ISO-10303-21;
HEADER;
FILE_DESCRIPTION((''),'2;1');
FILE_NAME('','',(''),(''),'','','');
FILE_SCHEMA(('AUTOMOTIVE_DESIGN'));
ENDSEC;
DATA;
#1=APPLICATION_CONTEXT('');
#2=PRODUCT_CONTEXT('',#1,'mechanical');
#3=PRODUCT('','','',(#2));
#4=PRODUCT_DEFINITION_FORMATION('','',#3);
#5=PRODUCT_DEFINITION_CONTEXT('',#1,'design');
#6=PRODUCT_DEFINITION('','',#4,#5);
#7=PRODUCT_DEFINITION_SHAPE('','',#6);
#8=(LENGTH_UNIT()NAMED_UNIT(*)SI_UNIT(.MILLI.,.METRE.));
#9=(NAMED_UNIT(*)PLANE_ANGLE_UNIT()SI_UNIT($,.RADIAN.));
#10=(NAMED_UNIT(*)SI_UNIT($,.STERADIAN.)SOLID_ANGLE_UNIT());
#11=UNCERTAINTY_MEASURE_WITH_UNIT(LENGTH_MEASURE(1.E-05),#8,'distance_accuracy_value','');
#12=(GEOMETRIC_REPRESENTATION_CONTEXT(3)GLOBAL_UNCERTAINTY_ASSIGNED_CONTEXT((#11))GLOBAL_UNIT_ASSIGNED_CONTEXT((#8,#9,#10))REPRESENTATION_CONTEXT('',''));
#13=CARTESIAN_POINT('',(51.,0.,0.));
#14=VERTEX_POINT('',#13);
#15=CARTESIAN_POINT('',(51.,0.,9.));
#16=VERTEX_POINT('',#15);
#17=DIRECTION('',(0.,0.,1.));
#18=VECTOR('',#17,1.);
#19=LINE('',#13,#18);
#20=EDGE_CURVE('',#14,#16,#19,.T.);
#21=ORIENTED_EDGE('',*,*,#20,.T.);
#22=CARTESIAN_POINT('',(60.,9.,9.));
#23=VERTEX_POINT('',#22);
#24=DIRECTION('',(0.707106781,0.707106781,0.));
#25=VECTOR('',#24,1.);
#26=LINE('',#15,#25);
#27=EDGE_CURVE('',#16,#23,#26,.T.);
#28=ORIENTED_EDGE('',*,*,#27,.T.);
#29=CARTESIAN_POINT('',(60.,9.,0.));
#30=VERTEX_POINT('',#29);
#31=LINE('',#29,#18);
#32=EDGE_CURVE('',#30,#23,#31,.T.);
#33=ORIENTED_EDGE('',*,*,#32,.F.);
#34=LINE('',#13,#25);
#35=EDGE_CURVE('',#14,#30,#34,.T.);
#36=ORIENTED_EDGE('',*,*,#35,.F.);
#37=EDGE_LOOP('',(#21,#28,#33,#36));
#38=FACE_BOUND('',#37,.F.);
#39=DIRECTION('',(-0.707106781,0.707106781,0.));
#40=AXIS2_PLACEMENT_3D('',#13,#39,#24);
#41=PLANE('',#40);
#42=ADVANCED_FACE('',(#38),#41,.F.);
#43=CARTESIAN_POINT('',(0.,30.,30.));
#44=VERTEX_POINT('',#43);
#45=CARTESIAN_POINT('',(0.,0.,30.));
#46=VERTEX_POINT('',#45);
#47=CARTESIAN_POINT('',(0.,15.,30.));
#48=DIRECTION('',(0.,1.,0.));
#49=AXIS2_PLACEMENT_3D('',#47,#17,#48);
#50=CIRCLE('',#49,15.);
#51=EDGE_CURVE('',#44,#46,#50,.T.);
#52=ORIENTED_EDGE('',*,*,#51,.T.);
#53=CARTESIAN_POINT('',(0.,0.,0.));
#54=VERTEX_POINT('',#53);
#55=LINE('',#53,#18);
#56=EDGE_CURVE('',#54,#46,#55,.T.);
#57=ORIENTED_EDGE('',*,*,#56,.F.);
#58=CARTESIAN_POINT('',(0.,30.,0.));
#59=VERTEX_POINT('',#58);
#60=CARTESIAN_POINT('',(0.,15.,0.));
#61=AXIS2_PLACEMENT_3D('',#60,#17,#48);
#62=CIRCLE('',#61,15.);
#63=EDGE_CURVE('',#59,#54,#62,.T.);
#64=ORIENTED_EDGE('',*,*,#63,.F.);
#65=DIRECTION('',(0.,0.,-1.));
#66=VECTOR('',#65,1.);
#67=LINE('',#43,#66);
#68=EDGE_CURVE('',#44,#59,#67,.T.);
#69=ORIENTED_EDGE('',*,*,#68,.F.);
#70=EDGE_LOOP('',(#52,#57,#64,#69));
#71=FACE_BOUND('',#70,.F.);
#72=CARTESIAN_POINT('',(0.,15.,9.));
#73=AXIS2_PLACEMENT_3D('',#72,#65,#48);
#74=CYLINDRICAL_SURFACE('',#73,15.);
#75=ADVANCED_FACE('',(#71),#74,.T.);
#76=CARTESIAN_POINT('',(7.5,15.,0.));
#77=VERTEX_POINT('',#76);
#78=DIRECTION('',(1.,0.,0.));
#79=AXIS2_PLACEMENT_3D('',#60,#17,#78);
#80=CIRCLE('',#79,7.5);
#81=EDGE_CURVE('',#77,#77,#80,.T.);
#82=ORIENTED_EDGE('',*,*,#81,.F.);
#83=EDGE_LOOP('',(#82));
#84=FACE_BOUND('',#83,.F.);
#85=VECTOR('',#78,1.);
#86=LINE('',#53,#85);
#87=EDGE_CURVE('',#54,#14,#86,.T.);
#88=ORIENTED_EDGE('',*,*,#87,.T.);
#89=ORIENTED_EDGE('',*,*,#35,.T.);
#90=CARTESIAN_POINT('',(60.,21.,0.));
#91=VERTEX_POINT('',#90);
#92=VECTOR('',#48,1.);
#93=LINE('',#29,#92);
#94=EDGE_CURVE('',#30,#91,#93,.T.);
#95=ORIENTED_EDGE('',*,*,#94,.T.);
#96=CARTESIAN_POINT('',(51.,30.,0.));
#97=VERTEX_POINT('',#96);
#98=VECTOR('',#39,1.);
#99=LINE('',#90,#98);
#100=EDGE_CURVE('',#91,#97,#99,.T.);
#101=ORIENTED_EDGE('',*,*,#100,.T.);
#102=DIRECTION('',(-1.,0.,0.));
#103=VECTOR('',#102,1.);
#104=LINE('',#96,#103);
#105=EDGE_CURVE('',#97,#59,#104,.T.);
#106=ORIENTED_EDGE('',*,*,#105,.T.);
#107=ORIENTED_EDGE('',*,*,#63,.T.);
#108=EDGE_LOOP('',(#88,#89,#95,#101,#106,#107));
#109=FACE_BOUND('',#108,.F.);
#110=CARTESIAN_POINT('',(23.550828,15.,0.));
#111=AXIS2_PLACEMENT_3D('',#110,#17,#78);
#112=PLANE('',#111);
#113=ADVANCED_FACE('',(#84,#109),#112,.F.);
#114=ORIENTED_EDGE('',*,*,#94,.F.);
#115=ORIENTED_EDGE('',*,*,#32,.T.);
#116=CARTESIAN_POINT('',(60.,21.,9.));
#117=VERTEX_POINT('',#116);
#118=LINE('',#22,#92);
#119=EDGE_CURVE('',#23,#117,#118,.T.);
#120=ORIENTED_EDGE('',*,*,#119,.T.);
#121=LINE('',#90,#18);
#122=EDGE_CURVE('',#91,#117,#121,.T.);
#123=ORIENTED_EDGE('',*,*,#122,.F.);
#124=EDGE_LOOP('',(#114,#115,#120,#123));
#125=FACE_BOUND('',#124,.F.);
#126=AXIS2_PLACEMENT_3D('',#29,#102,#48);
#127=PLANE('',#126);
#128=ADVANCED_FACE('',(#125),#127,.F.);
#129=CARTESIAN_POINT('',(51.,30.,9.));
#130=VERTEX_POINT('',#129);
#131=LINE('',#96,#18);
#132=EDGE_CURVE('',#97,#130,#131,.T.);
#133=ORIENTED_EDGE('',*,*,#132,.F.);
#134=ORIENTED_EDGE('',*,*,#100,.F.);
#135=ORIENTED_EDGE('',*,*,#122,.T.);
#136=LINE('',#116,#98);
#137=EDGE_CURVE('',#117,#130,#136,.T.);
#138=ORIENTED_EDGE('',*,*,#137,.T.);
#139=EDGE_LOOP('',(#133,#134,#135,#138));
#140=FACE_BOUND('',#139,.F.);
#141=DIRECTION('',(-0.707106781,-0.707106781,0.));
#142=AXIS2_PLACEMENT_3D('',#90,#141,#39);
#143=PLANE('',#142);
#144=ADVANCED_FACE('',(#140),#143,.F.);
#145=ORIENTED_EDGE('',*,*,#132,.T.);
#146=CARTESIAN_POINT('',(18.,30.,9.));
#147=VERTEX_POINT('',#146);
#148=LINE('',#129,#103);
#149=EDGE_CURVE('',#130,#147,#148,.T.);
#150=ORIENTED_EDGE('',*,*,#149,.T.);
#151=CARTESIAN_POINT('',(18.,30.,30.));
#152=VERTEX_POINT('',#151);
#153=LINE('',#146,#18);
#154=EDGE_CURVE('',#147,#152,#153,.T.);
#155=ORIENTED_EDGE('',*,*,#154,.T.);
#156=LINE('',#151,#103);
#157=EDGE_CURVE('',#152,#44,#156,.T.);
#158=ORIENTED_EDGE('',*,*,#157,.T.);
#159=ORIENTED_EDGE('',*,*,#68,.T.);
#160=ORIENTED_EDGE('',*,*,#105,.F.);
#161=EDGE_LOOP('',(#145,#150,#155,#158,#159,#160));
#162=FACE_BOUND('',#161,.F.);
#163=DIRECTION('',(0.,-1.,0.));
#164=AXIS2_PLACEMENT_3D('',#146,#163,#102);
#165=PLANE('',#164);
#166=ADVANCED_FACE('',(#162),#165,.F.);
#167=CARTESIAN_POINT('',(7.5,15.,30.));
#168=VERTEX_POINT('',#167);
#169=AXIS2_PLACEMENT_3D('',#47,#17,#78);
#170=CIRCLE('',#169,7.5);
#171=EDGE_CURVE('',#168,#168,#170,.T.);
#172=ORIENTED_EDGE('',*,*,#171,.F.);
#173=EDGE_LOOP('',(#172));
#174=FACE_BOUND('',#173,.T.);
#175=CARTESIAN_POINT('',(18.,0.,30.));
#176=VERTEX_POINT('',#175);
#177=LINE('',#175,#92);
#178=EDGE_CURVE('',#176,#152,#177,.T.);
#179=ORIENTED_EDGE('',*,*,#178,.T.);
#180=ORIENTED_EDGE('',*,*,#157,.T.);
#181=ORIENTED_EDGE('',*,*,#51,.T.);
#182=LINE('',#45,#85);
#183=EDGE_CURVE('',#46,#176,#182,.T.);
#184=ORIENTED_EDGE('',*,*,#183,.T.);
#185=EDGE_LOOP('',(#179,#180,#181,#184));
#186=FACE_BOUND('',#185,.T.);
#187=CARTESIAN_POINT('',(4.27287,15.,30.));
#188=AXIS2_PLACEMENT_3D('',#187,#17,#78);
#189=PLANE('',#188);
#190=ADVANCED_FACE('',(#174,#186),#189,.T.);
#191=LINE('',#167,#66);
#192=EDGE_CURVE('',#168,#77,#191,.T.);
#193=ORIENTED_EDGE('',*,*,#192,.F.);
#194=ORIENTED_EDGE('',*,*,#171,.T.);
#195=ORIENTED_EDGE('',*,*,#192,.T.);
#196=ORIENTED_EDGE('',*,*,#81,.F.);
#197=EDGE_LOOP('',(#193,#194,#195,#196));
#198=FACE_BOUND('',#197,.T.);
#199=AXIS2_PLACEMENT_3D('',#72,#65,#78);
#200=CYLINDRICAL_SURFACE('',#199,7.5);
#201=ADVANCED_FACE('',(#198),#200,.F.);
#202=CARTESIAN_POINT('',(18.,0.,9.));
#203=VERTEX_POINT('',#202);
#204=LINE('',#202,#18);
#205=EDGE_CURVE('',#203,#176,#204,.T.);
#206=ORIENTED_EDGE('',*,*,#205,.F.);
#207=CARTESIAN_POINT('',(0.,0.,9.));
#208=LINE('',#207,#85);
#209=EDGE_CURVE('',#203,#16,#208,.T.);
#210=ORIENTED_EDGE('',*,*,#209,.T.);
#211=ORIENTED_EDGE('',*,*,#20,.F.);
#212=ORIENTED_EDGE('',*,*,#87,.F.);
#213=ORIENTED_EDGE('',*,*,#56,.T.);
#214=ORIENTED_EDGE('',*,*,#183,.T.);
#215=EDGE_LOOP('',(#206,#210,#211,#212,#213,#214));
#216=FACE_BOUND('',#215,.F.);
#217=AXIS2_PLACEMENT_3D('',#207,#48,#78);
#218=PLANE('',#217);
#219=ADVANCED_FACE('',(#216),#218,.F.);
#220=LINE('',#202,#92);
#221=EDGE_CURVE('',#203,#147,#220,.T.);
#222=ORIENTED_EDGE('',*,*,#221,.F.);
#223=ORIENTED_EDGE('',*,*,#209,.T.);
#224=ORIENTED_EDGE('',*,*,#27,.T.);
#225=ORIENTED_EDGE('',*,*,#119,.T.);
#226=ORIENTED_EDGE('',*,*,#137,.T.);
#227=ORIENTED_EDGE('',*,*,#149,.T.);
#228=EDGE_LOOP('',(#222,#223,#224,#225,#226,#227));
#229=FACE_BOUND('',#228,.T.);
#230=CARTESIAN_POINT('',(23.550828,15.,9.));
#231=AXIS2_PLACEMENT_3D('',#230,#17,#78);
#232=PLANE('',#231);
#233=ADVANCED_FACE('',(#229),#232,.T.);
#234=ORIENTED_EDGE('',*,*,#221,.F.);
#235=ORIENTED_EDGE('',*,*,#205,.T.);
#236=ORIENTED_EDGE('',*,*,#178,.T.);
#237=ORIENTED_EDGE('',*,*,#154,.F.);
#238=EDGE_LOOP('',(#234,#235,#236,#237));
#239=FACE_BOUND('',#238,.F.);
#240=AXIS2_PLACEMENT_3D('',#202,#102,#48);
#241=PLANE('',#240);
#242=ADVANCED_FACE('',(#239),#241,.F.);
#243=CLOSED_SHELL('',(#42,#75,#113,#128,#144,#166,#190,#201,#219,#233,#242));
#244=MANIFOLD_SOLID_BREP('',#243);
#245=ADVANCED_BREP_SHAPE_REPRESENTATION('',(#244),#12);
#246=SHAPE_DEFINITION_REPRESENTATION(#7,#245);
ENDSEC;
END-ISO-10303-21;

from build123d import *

# Parameters (mm, degrees)
F0_R     = 7.5
F1_DEPTH = 9
F2_R     = 7.5
F3_DEPTH = 21


with BuildPart() as f1:
    # F0 (on Top) → F1 (new body)
    with BuildSketch(Plane.XY):
        with BuildLine():
            ThreePointArc((0, 30), (-15, 15), (0, 0))
            Line((0, 0), (51, 0))
            Line((51, 0), (60, 9))
            Line((60, 9), (60, 21))
            Line((60, 21), (51, 30))
            Line((51, 30), (18, 30))
            Line((18, 30), (0, 30))
        make_face()
        with Locations((0, 15)):
            Circle(F0_R, mode=Mode.SUBTRACT)
    extrude(amount=F1_DEPTH)

    # F2 (on face) → F3 (join)
    with BuildSketch(Plane.XY.offset(9)):
        with BuildLine():
            ThreePointArc((0, 30), (-15, 15), (0, 0))
            Line((0, 0), (18, 0))
            Line((18, 0), (18, 30))
            Line((18, 30), (0, 30))
        make_face()
        with Locations((0, 15)):
            Circle(F2_R, mode=Mode.SUBTRACT)
    extrude(amount=F3_DEPTH)


solid = f1.part
